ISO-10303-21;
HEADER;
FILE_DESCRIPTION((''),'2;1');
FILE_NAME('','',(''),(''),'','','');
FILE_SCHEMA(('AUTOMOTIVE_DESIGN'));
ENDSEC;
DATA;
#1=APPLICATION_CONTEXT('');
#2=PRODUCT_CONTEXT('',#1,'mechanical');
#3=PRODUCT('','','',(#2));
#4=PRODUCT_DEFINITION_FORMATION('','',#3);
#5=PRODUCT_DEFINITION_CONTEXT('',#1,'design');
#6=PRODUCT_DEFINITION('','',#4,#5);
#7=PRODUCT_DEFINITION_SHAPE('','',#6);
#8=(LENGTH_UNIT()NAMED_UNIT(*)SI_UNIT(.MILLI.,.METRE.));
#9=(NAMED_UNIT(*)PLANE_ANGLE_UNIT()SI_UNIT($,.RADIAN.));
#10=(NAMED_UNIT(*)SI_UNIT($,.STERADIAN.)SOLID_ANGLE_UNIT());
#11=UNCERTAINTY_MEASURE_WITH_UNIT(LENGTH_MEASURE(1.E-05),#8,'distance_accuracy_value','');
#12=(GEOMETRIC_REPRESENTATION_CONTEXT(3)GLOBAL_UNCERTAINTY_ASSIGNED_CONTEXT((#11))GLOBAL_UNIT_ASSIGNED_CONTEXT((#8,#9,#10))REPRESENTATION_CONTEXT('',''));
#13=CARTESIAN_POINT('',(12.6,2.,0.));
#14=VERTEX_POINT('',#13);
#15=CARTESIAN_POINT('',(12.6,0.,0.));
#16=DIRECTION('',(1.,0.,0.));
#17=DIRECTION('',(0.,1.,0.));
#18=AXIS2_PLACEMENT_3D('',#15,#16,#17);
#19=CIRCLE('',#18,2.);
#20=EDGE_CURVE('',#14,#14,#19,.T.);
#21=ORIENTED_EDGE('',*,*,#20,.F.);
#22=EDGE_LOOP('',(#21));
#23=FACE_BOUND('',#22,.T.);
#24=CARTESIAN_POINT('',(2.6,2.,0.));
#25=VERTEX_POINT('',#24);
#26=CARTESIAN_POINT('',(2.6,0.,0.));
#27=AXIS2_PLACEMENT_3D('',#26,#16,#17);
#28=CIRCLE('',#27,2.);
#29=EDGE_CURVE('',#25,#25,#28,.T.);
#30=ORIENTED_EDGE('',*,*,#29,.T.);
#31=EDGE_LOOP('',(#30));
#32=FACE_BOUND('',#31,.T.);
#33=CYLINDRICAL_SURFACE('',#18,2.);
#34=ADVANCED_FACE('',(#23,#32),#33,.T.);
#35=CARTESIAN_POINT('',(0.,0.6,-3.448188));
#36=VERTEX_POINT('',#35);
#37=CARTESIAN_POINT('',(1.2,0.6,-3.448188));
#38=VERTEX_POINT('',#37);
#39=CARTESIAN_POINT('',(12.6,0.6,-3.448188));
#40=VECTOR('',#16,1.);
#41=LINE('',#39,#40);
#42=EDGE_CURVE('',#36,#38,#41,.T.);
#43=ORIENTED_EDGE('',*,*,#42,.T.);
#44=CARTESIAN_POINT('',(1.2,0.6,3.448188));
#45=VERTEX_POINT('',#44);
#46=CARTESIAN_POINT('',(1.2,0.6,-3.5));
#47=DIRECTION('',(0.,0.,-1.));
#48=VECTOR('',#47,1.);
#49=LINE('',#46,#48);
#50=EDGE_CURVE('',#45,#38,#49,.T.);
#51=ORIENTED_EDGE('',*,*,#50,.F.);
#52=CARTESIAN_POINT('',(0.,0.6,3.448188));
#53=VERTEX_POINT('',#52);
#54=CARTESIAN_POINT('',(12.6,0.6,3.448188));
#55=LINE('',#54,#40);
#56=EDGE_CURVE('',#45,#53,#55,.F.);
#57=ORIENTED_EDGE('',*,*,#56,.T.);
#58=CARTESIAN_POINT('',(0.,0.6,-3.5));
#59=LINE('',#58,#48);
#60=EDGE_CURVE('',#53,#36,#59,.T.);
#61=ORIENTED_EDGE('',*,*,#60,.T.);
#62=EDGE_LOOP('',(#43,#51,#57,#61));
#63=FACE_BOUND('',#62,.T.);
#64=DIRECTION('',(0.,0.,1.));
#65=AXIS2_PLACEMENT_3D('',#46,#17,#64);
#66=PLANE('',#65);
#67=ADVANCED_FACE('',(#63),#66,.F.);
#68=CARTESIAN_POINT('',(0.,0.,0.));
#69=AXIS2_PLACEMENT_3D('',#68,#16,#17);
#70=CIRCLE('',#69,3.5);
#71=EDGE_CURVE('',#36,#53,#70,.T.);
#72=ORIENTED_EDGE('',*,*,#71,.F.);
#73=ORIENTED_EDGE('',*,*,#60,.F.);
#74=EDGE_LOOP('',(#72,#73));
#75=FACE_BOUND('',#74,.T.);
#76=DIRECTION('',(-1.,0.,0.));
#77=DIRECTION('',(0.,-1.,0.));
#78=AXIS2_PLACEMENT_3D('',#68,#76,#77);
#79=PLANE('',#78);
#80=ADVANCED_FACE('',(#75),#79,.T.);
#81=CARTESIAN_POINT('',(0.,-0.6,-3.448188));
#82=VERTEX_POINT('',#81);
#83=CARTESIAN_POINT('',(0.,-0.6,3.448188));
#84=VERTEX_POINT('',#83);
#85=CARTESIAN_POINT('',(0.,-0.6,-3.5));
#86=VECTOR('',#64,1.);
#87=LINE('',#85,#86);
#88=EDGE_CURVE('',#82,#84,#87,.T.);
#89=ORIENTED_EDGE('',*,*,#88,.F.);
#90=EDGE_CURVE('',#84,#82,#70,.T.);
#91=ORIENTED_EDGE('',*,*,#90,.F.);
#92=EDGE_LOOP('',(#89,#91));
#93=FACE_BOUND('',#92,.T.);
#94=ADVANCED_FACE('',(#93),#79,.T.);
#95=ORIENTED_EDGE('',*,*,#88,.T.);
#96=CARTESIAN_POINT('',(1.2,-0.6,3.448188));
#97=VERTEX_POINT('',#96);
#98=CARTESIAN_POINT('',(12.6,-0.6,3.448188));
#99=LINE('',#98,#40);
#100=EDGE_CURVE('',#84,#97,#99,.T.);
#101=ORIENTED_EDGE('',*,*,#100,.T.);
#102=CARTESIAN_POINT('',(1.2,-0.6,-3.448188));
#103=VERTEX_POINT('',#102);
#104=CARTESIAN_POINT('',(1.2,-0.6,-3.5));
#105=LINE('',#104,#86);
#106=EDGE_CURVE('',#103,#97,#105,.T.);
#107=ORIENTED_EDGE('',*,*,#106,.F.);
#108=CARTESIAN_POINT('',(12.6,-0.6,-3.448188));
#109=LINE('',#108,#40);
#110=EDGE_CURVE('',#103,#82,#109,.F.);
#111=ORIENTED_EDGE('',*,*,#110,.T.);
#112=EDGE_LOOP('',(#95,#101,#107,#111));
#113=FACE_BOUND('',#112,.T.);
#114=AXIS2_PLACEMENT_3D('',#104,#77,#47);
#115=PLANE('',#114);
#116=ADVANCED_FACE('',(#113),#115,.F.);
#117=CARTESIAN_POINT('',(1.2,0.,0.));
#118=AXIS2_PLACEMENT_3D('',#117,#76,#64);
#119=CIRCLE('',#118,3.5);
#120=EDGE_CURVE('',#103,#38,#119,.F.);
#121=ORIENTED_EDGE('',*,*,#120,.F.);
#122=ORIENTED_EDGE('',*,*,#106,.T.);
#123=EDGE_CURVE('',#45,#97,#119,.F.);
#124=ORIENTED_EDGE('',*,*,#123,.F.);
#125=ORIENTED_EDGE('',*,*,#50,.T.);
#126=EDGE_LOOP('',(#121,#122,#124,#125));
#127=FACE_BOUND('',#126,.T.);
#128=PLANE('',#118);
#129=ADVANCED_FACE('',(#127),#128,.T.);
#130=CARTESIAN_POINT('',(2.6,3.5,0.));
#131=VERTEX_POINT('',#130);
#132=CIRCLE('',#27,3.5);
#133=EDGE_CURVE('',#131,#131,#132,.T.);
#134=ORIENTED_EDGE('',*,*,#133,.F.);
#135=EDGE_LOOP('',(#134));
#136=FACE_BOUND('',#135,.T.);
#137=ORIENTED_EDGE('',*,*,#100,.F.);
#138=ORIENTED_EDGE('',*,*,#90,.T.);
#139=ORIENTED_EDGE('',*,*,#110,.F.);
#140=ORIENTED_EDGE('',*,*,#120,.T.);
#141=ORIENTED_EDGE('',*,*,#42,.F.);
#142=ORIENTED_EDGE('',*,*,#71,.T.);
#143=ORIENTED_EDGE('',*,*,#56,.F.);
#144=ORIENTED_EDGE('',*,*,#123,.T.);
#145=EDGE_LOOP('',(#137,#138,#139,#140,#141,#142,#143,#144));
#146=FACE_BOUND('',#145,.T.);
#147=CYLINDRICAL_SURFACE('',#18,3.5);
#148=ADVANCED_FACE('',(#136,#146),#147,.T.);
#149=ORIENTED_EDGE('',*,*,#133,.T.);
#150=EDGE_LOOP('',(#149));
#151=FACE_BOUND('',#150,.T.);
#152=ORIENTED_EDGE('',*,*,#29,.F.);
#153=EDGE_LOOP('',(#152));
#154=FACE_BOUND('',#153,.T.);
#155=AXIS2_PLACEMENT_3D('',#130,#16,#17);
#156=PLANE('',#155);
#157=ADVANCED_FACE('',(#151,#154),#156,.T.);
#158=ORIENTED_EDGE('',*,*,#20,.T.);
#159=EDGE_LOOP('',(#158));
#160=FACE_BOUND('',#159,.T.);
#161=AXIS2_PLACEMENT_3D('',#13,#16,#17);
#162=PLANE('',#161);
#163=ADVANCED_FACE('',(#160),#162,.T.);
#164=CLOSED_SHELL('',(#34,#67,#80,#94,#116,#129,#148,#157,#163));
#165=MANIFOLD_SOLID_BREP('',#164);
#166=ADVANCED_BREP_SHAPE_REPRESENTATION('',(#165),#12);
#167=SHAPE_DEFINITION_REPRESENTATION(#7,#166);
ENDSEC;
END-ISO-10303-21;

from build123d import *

# Parameters (mm, degrees)
SKETCH2_W          = 7
SKETCH2_H          = 1.2
CUT_EXTRUDE1_DEPTH = 1.2


with BuildPart() as part:
    # Sketch1 → Revolve1 (revolve)
    with BuildSketch(Plane.XY):
        Polygon((0, 0), (0, 3.5), (2.6, 3.5), (2.6, 2), (12.6, 2), (12.6, 0), align=None)
    revolve(axis=Axis((12.6, 0, 0), (-1, 0, 0)))

    # Sketch2 → Cut-Extrude1 (cut)
    with BuildSketch(Plane.ZY):
        Rectangle(SKETCH2_W, SKETCH2_H)
    extrude(amount=-CUT_EXTRUDE1_DEPTH, mode=Mode.SUBTRACT)


solid = part.part
